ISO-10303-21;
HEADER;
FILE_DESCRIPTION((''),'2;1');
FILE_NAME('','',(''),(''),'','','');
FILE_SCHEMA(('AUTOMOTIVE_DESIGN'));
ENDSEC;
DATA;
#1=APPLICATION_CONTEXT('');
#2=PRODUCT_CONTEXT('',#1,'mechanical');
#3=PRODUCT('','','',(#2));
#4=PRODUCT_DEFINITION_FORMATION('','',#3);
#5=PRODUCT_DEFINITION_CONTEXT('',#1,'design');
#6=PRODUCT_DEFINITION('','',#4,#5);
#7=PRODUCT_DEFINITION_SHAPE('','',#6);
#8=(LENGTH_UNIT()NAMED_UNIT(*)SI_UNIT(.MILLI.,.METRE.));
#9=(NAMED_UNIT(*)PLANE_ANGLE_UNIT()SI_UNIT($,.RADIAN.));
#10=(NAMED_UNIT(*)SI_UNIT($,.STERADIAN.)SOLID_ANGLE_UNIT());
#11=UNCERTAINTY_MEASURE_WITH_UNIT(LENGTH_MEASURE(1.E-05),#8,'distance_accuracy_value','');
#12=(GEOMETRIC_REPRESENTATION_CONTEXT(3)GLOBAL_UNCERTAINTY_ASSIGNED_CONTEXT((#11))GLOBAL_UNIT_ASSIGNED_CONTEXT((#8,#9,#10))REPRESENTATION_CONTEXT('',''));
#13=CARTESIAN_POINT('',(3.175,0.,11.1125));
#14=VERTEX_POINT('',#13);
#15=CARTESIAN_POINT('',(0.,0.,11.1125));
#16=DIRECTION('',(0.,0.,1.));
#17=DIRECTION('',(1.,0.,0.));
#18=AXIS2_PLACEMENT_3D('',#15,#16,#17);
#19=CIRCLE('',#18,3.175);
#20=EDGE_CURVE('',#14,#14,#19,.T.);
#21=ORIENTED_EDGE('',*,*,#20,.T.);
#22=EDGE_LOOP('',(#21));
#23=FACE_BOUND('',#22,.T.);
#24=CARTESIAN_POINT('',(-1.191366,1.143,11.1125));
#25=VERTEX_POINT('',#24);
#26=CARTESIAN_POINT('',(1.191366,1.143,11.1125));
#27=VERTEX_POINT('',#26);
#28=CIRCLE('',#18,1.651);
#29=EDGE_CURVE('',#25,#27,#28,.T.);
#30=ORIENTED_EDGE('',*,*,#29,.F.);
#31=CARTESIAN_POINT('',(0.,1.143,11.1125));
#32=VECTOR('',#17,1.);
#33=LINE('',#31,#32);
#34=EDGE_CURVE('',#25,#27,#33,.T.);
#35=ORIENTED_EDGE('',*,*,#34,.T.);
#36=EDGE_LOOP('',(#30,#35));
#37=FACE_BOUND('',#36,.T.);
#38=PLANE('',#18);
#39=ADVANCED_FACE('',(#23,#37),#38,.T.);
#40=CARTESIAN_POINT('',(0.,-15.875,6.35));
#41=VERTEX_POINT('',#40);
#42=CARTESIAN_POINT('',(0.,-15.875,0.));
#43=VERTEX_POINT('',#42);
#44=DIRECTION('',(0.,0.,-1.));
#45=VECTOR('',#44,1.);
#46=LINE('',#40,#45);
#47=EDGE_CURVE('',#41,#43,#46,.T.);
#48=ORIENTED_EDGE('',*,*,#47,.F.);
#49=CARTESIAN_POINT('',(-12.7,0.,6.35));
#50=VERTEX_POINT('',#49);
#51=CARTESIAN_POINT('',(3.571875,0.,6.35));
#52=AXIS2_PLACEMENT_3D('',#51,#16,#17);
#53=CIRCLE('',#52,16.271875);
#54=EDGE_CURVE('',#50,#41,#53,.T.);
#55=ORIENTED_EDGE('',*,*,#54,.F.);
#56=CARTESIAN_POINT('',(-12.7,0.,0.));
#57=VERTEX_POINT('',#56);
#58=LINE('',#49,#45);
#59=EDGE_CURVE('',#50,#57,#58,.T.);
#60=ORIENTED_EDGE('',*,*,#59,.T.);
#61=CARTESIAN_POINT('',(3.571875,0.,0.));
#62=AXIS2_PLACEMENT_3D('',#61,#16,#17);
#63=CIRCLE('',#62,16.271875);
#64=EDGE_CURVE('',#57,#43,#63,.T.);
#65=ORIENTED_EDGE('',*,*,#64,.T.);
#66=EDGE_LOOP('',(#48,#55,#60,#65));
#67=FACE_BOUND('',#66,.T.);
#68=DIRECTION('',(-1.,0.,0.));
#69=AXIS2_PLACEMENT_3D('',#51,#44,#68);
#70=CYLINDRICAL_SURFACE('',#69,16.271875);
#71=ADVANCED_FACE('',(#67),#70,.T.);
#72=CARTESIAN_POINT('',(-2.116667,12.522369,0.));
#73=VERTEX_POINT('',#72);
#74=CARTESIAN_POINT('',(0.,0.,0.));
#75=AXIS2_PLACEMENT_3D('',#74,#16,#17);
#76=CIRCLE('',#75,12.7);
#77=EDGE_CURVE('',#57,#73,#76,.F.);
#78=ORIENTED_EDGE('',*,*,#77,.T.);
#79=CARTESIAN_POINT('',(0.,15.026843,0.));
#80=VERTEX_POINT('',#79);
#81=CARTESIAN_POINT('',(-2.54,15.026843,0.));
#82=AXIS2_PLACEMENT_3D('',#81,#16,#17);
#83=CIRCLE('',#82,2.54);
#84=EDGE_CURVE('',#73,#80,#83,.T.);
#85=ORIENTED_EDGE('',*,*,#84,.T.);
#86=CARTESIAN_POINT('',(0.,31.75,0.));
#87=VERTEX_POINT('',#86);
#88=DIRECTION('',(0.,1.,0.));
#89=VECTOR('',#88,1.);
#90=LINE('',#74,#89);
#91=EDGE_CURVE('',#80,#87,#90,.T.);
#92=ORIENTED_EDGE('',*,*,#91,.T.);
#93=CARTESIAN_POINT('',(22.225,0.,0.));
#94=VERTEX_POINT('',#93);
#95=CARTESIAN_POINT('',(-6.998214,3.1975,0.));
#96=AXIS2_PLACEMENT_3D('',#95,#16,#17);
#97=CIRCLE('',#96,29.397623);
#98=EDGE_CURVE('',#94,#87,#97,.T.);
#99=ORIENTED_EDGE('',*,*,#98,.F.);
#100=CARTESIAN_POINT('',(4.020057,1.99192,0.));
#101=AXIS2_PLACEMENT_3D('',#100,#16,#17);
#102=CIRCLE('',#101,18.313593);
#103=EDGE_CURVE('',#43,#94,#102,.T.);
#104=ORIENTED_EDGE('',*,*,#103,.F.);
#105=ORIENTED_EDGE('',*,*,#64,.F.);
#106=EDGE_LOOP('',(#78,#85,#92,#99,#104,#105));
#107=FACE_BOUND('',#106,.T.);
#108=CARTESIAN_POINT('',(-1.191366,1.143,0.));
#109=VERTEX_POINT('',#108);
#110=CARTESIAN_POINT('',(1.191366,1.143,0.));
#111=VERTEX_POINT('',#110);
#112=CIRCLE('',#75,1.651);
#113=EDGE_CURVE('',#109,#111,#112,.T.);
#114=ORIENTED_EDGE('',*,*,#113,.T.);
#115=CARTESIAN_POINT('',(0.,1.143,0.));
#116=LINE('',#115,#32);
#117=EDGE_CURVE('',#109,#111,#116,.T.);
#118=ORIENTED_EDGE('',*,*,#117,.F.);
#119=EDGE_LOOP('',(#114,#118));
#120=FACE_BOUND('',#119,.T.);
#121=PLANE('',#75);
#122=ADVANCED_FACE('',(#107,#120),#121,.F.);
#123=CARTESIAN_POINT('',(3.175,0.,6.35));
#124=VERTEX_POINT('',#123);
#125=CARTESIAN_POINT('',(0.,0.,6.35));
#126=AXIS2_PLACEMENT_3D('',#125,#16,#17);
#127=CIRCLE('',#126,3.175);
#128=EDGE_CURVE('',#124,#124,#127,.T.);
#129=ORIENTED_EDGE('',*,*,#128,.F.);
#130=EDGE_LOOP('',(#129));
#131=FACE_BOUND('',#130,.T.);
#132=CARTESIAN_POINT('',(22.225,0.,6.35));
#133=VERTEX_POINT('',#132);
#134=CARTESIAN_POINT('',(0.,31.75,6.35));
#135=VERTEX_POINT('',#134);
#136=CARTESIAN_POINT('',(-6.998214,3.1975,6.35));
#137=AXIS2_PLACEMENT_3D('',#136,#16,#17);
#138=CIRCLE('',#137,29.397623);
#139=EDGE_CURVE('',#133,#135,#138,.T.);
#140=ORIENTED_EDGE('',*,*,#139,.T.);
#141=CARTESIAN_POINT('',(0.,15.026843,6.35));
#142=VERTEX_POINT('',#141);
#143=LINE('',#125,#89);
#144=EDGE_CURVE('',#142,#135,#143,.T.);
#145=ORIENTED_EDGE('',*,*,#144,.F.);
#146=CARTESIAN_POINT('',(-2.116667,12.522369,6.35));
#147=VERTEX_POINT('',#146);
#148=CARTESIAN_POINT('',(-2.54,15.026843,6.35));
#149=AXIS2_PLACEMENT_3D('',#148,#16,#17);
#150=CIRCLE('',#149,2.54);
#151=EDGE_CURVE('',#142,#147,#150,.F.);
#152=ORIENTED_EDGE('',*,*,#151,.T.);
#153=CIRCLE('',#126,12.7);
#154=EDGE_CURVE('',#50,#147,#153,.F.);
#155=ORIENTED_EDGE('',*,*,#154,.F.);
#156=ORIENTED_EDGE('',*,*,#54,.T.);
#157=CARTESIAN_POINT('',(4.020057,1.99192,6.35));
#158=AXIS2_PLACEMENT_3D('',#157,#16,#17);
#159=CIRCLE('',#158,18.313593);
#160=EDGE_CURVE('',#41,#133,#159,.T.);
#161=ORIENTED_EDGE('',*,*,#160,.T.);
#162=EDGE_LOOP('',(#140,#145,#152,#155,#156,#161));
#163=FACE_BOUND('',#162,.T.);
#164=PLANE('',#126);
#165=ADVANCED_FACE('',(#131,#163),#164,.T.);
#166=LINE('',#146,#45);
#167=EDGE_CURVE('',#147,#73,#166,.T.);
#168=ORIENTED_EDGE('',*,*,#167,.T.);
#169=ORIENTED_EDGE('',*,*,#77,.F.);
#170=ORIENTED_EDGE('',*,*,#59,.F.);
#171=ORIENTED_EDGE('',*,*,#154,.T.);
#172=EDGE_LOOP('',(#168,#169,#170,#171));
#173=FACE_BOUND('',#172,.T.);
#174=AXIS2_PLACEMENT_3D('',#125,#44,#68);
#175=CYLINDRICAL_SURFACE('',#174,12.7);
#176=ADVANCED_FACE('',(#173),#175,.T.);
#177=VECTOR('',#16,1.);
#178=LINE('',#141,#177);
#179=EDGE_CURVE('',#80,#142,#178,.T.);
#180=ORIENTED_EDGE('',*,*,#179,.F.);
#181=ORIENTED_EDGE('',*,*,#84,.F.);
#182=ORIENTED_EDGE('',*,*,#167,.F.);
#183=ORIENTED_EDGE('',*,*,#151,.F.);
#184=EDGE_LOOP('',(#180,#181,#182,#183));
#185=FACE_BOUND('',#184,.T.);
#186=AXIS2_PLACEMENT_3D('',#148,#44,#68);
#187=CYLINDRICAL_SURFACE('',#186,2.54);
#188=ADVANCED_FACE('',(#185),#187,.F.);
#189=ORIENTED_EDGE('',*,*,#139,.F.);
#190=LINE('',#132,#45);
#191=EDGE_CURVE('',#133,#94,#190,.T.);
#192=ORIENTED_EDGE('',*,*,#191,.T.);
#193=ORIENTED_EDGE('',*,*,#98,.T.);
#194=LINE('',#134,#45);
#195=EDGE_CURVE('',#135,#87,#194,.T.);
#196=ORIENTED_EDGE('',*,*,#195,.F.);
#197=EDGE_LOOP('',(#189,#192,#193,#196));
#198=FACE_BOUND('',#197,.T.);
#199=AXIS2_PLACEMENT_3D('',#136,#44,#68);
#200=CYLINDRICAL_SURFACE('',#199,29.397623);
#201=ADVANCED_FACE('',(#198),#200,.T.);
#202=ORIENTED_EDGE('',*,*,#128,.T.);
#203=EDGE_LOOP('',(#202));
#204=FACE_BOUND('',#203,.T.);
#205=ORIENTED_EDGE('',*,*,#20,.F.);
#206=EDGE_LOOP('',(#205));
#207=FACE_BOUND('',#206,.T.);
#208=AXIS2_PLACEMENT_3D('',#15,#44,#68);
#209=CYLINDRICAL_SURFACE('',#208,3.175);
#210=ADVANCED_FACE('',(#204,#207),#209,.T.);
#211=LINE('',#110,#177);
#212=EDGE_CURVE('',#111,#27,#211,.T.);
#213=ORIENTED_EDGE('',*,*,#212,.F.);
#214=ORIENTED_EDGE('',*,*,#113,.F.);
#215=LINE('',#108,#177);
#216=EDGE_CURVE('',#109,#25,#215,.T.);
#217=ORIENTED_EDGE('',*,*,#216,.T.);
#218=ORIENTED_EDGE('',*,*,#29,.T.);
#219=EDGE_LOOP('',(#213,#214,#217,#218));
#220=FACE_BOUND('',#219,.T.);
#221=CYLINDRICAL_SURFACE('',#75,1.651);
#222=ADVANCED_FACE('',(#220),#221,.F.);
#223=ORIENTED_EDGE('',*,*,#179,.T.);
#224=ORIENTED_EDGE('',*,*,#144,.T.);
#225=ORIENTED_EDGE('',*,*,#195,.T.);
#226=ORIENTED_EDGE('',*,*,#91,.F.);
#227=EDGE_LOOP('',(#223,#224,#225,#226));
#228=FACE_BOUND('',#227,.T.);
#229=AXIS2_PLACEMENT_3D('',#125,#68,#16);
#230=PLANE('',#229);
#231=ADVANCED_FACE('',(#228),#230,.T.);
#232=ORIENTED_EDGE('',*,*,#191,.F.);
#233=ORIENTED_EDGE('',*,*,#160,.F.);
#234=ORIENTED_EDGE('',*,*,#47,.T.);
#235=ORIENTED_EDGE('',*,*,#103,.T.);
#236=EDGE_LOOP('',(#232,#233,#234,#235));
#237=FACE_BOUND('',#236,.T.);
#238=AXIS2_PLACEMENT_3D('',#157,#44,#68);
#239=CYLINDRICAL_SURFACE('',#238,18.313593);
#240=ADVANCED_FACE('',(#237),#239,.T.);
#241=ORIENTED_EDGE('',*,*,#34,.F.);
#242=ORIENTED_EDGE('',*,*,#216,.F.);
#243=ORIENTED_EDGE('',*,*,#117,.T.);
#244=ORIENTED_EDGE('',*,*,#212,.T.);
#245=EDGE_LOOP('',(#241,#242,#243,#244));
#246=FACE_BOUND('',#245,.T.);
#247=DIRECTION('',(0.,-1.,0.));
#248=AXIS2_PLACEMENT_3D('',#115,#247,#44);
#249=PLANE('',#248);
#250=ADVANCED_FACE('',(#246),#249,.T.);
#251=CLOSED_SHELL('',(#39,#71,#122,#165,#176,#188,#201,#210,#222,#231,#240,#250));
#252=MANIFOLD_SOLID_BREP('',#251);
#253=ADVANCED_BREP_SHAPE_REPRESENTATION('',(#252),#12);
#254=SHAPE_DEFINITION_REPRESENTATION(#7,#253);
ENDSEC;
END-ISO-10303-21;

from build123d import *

# Parameters (mm, degrees)
BOSS_EXTRUDE1_DEPTH = 6.35
SKETCH2_R           = 3.175
BOSS_EXTRUDE2_DEPTH = 4.7625
CUT_EXTRUDE1_DEPTH  = 12.1125
FILLET1_R           = 2.54


with BuildPart() as part:
    # Sketch1 → Boss-Extrude1 (new body)
    with BuildSketch(Plane.XY):
        with BuildLine():
            ThreePointArc((0, -15.875), (14.664616841, -12.910463577), (22.225, 0))
            ThreePointArc((22.225, 0), (17.085257234, 20.055930064), (0, 31.75))
            Line((0, 31.75), (0, 0))
            Line((0, 0), (-12.7, 0))
            ThreePointArc((-12.7, 0), (-9.134324659, -10.164959727), (0, -15.875))
        make_face()
        with BuildLine():
            Line((-12.7, 0), (0, 0))
            Line((0, 0), (0, 12.7))
            ThreePointArc((0, 12.7), (-8.980256121, 8.980256121), (-12.7, 0))
        make_face()
    extrude(amount=BOSS_EXTRUDE1_DEPTH)

    # Sketch2 → Boss-Extrude2 (add)
    with BuildSketch(Plane.XY.offset(6.35)):
        Circle(SKETCH2_R)
    extrude(amount=BOSS_EXTRUDE2_DEPTH)

    # Sketch3 → Cut-Extrude1 (cut, through all)
    with BuildSketch(Plane.XY.offset(11.1125)):
        with BuildLine():
            Line((1.191365603, 1.143), (-1.191365603, 1.143))
            ThreePointArc((-1.191365603, 1.143), (-0.61597743, -1.531787454), (1.651, 0))
            ThreePointArc((1.651, 0), (1.531787454, 0.61597743), (1.191365603, 1.143))
        make_face()
    extrude(amount=-CUT_EXTRUDE1_DEPTH, mode=Mode.SUBTRACT)

    # Fillet1
    fillet1_edges = [part.edges().sort_by_distance(p)[0] for p in [
        (0, 12.7, 3.175),
    ]]
    fillet(fillet1_edges, radius=FILLET1_R)


solid = part.part
